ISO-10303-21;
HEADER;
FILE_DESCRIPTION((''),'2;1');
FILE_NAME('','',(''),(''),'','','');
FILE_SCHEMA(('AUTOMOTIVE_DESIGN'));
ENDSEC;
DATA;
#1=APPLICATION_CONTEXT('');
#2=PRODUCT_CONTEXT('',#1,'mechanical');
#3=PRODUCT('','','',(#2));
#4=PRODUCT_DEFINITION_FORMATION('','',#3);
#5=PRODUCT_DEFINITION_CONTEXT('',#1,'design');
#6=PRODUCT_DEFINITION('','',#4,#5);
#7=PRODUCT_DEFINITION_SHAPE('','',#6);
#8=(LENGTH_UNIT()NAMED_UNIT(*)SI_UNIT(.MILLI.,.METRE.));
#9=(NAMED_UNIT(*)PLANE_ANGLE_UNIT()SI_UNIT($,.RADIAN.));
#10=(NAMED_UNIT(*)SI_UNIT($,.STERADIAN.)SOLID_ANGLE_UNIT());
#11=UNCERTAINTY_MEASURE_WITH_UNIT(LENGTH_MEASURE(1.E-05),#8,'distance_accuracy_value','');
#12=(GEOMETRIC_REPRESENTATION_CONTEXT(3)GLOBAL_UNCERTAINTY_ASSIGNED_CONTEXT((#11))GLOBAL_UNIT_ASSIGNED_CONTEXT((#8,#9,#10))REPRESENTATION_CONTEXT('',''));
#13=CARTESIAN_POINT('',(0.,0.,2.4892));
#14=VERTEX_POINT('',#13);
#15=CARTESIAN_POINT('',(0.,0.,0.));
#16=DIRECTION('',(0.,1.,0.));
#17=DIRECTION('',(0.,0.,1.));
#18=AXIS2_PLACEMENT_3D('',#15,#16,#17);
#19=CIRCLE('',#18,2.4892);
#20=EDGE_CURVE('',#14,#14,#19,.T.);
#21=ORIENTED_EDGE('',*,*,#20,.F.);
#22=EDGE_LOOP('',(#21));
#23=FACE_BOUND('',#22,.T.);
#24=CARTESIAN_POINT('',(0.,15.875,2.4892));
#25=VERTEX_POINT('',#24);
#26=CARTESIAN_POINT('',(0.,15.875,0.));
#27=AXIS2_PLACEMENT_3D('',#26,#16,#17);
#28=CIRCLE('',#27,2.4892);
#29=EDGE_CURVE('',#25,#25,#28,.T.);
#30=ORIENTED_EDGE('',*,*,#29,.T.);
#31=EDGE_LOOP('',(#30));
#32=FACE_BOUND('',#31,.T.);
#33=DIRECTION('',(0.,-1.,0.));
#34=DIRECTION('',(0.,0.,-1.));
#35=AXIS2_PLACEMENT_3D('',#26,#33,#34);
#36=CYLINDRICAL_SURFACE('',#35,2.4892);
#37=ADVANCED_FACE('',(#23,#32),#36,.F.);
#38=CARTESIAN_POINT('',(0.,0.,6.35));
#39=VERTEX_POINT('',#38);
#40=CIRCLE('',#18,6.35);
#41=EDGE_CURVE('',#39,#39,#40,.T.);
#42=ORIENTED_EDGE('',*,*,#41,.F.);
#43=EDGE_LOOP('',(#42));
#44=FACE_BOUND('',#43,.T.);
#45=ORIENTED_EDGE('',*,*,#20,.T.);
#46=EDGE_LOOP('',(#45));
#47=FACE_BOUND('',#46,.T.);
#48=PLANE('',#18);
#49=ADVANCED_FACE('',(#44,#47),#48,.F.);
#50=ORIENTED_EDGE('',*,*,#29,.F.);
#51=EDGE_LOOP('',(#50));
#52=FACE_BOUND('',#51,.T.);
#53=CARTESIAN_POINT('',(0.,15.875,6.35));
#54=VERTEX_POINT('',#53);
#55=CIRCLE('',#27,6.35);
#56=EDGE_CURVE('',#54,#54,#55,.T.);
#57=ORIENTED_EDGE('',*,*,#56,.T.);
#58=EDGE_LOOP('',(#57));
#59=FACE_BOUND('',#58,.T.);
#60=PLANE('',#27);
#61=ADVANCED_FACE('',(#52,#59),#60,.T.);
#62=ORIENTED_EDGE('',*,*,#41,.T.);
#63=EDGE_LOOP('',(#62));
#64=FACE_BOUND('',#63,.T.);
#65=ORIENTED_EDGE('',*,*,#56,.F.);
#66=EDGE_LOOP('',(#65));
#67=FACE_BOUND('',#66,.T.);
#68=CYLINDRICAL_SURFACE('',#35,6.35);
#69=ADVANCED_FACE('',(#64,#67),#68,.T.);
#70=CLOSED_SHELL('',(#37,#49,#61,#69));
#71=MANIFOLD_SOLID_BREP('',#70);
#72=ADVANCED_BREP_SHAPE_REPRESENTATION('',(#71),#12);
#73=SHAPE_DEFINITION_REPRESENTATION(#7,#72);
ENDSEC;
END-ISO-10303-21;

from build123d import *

# Parameters (mm, degrees)
SKETCH1_R           = 6.35
SKETCH1_R_2         = 2.4892
BOSS_EXTRUDE1_DEPTH = 15.875


with BuildPart() as part:
    # Sketch1 → Boss-Extrude1 (new body)
    with BuildSketch(Plane(origin=(0, 0, 0), x_dir=(1, 0, 0), z_dir=(0, 1, 0))):
        Circle(SKETCH1_R)
        Circle(SKETCH1_R_2, mode=Mode.SUBTRACT)
    extrude(amount=BOSS_EXTRUDE1_DEPTH)


solid = part.part
